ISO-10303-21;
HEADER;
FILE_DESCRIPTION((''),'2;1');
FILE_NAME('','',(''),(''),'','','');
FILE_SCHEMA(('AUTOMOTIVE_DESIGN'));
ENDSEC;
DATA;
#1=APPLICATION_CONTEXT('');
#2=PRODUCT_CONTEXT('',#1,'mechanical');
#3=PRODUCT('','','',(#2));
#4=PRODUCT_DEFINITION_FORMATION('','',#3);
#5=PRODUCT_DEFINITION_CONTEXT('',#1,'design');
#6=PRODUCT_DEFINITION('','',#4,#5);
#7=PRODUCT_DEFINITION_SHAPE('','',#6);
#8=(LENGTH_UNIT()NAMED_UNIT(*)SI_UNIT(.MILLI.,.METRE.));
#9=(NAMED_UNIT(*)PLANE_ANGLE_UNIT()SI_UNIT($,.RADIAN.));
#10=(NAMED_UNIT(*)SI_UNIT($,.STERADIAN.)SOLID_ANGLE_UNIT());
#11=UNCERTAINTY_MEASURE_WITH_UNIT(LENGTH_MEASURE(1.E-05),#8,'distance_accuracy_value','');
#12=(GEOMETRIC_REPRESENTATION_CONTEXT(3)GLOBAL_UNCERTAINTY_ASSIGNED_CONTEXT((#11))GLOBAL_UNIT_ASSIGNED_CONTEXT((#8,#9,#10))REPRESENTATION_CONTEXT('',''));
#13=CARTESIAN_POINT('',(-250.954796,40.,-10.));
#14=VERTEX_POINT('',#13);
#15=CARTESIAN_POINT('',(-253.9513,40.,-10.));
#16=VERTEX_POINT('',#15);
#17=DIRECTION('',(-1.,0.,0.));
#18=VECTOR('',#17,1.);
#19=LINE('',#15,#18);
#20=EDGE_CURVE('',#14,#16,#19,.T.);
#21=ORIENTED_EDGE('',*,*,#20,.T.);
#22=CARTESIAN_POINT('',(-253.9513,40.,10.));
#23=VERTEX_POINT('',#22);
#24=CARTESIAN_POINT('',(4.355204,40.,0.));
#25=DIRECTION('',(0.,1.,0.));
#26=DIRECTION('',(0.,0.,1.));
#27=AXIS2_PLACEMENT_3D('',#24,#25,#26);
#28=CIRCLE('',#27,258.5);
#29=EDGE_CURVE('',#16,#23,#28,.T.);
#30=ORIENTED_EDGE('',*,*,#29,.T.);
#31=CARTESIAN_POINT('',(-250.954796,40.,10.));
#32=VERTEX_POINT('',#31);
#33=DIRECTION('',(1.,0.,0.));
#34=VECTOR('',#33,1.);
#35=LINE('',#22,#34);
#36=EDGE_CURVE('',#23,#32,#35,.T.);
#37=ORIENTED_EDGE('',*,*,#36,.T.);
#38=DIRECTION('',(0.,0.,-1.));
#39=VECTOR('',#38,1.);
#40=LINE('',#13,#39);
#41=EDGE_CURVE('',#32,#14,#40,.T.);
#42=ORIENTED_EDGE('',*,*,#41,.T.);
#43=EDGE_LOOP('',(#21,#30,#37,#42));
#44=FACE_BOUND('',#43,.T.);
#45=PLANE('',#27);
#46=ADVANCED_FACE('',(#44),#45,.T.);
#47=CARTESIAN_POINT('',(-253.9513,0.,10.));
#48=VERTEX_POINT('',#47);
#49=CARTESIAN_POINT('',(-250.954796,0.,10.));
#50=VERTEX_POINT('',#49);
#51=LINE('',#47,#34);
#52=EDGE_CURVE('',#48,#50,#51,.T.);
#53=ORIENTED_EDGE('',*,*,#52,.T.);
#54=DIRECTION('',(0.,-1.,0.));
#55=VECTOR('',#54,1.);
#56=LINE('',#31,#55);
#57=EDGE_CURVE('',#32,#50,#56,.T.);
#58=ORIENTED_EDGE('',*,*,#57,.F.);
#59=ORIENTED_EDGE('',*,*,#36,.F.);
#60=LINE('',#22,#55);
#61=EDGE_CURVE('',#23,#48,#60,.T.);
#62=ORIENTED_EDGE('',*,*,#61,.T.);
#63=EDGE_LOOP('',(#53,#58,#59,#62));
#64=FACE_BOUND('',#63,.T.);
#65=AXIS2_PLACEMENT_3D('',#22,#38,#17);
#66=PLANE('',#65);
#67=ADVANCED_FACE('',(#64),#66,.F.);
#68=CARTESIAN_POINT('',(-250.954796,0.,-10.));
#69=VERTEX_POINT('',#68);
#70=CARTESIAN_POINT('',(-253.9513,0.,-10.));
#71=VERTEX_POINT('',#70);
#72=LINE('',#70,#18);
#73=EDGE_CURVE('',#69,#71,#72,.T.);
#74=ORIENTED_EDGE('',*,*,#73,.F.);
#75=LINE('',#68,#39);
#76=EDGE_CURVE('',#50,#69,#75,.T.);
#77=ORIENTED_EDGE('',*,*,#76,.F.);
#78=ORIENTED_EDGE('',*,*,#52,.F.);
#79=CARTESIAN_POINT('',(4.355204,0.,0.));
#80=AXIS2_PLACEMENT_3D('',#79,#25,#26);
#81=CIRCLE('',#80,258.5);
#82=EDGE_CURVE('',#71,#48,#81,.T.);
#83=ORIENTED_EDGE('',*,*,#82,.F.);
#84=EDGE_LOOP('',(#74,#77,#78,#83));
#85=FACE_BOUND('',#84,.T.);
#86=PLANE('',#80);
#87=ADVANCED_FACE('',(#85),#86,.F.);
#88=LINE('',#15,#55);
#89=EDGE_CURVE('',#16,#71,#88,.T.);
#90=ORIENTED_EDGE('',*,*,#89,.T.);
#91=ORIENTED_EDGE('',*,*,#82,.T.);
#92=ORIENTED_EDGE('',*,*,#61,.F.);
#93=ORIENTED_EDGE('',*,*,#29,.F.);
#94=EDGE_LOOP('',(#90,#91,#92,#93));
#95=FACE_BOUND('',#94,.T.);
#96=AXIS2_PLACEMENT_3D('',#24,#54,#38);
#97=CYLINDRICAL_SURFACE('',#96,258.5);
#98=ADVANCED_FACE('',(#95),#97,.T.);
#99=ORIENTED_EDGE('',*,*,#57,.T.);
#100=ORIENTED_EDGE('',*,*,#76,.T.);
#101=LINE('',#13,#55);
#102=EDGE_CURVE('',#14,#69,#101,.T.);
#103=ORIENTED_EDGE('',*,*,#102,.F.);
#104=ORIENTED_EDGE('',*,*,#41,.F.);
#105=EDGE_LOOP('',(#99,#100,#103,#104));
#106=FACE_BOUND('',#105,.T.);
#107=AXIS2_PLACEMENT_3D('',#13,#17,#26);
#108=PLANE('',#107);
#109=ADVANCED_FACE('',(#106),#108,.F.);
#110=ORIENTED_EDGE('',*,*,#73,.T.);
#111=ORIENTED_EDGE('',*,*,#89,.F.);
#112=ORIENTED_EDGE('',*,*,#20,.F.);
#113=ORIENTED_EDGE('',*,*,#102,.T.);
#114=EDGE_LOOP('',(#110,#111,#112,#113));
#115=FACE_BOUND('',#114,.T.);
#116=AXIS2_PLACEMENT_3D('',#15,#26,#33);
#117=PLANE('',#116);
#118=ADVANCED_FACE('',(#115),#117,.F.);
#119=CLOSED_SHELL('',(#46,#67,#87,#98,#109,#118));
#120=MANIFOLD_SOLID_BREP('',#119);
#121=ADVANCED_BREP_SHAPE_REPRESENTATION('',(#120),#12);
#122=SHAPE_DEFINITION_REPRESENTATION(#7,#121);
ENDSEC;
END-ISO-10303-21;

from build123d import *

# Parameters (mm, degrees)
EXTRUDE_1_DEPTH = 40


with BuildPart() as part:
    # 草图1 → 凸台-拉伸1 (new body)
    with BuildSketch(Plane(origin=(0, 0, 0), x_dir=(1, 0, 0), z_dir=(0, 1, 0))):
        with BuildLine():
            Line((-253.951299648, 10), (-250.954795665, 10))
            Line((-250.954795665, 10), (-250.954795665, -10))
            Line((-250.954795665, -10), (-253.951299648, -10))
            ThreePointArc((-253.951299648, -10), (-254.144795665, 0), (-253.951299648, 10))
        make_face()
    extrude(amount=EXTRUDE_1_DEPTH)


solid = part.part
